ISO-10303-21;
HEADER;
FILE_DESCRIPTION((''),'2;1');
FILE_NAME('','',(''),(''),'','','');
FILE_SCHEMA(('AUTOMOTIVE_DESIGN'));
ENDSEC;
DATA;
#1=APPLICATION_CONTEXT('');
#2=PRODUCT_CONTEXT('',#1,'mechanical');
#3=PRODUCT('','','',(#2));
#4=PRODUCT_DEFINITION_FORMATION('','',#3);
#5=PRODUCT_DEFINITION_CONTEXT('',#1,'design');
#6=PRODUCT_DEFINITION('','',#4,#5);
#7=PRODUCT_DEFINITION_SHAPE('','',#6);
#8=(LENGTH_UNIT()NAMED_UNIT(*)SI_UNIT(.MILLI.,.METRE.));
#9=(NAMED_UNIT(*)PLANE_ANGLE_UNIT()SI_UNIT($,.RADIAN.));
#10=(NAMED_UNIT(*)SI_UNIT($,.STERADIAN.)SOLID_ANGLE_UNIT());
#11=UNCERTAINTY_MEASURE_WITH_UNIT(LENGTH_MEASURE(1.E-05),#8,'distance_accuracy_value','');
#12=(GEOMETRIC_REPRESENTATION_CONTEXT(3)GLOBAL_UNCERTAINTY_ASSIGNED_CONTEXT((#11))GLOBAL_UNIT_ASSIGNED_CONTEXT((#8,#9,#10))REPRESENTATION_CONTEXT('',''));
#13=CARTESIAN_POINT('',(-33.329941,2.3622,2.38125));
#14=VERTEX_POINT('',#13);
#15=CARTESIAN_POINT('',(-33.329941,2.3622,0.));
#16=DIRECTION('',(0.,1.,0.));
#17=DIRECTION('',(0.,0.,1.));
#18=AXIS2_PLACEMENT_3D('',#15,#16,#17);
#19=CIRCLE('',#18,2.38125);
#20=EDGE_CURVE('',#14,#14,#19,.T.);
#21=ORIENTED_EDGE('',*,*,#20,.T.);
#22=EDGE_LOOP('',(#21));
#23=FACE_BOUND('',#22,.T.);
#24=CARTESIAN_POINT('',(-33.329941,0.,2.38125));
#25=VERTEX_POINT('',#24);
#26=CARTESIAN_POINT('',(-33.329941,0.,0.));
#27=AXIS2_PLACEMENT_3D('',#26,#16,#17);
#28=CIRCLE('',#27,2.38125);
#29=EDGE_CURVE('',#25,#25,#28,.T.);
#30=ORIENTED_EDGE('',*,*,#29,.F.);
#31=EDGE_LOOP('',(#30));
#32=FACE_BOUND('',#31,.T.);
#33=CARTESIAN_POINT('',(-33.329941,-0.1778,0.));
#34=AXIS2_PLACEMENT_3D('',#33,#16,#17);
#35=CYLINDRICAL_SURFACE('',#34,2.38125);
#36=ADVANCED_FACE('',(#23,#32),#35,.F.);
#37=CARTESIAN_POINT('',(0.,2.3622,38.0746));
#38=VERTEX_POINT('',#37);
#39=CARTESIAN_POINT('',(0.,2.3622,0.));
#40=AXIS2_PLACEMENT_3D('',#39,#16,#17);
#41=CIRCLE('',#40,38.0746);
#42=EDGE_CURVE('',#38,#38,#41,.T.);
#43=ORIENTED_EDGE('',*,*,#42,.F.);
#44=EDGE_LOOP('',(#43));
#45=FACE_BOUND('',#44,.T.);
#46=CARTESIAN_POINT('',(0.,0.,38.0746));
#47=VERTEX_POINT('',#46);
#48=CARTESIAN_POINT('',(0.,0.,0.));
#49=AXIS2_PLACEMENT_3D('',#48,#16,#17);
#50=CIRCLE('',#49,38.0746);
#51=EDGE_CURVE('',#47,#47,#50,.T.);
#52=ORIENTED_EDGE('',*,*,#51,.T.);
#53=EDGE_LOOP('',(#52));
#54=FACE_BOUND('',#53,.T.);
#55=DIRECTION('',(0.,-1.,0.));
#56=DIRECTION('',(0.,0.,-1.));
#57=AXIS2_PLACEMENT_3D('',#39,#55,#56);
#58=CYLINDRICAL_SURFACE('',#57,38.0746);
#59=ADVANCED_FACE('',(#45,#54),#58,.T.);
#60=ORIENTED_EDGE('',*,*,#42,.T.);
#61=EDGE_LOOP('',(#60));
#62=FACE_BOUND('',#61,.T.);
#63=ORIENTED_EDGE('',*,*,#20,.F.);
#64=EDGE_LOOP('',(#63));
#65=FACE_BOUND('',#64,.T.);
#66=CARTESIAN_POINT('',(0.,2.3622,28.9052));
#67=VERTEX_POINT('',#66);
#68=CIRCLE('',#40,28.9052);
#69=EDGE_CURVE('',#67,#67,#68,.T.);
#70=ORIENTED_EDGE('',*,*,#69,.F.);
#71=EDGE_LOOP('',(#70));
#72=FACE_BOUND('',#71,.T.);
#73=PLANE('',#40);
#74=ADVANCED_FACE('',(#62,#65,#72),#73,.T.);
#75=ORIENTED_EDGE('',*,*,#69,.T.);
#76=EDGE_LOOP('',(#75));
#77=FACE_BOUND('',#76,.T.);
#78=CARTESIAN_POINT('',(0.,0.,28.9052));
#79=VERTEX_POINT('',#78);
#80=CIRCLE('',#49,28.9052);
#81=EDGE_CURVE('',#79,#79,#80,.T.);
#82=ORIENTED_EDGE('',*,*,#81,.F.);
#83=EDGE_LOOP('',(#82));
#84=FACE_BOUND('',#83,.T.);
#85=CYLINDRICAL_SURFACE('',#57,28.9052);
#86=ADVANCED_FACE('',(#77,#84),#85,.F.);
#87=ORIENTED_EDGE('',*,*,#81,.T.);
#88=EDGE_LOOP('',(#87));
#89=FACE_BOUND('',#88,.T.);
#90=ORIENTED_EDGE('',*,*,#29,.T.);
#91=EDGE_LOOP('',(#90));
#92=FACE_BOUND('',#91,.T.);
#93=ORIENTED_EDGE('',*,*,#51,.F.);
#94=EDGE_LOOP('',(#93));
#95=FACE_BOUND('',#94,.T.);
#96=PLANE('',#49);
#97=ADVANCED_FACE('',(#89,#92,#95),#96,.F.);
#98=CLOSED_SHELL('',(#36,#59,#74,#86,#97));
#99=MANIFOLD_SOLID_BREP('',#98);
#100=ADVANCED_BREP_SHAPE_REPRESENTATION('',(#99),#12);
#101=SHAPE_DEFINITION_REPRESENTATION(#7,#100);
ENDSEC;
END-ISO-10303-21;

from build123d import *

# Parameters (mm, degrees)
SKETCH1_R           = 38.0746
SKETCH1_R_2         = 28.9052
BOSS_EXTRUDE1_DEPTH = 2.3622
SKETCH2_R           = 2.38125
CUT_EXTRUDE2_DEPTH  = 2.54


with BuildPart() as part:
    # Sketch1 → Boss-Extrude1 (new body)
    with BuildSketch(Plane(origin=(0, 0, 0), x_dir=(1, 0, 0), z_dir=(0, 1, 0))):
        with Locations(Location((0, 0, 0), (0, 0, 270))):
            Circle(SKETCH1_R)
        with Locations(Location((0, 0, 0), (0, 0, 270))):
            Circle(SKETCH1_R_2, mode=Mode.SUBTRACT)
    extrude(amount=BOSS_EXTRUDE1_DEPTH)

    # Sketch2 → Cut-Extrude2 (cut)
    with BuildSketch(Plane(origin=(0, 2.3622, 0), x_dir=(1, 0, 0), z_dir=(0, 1, 0))):
        with Locations(Location((-33.329941143, 0, 0), (0, 0, 270))):
            Circle(SKETCH2_R)
    extrude(amount=-CUT_EXTRUDE2_DEPTH, mode=Mode.SUBTRACT)


solid = part.part
